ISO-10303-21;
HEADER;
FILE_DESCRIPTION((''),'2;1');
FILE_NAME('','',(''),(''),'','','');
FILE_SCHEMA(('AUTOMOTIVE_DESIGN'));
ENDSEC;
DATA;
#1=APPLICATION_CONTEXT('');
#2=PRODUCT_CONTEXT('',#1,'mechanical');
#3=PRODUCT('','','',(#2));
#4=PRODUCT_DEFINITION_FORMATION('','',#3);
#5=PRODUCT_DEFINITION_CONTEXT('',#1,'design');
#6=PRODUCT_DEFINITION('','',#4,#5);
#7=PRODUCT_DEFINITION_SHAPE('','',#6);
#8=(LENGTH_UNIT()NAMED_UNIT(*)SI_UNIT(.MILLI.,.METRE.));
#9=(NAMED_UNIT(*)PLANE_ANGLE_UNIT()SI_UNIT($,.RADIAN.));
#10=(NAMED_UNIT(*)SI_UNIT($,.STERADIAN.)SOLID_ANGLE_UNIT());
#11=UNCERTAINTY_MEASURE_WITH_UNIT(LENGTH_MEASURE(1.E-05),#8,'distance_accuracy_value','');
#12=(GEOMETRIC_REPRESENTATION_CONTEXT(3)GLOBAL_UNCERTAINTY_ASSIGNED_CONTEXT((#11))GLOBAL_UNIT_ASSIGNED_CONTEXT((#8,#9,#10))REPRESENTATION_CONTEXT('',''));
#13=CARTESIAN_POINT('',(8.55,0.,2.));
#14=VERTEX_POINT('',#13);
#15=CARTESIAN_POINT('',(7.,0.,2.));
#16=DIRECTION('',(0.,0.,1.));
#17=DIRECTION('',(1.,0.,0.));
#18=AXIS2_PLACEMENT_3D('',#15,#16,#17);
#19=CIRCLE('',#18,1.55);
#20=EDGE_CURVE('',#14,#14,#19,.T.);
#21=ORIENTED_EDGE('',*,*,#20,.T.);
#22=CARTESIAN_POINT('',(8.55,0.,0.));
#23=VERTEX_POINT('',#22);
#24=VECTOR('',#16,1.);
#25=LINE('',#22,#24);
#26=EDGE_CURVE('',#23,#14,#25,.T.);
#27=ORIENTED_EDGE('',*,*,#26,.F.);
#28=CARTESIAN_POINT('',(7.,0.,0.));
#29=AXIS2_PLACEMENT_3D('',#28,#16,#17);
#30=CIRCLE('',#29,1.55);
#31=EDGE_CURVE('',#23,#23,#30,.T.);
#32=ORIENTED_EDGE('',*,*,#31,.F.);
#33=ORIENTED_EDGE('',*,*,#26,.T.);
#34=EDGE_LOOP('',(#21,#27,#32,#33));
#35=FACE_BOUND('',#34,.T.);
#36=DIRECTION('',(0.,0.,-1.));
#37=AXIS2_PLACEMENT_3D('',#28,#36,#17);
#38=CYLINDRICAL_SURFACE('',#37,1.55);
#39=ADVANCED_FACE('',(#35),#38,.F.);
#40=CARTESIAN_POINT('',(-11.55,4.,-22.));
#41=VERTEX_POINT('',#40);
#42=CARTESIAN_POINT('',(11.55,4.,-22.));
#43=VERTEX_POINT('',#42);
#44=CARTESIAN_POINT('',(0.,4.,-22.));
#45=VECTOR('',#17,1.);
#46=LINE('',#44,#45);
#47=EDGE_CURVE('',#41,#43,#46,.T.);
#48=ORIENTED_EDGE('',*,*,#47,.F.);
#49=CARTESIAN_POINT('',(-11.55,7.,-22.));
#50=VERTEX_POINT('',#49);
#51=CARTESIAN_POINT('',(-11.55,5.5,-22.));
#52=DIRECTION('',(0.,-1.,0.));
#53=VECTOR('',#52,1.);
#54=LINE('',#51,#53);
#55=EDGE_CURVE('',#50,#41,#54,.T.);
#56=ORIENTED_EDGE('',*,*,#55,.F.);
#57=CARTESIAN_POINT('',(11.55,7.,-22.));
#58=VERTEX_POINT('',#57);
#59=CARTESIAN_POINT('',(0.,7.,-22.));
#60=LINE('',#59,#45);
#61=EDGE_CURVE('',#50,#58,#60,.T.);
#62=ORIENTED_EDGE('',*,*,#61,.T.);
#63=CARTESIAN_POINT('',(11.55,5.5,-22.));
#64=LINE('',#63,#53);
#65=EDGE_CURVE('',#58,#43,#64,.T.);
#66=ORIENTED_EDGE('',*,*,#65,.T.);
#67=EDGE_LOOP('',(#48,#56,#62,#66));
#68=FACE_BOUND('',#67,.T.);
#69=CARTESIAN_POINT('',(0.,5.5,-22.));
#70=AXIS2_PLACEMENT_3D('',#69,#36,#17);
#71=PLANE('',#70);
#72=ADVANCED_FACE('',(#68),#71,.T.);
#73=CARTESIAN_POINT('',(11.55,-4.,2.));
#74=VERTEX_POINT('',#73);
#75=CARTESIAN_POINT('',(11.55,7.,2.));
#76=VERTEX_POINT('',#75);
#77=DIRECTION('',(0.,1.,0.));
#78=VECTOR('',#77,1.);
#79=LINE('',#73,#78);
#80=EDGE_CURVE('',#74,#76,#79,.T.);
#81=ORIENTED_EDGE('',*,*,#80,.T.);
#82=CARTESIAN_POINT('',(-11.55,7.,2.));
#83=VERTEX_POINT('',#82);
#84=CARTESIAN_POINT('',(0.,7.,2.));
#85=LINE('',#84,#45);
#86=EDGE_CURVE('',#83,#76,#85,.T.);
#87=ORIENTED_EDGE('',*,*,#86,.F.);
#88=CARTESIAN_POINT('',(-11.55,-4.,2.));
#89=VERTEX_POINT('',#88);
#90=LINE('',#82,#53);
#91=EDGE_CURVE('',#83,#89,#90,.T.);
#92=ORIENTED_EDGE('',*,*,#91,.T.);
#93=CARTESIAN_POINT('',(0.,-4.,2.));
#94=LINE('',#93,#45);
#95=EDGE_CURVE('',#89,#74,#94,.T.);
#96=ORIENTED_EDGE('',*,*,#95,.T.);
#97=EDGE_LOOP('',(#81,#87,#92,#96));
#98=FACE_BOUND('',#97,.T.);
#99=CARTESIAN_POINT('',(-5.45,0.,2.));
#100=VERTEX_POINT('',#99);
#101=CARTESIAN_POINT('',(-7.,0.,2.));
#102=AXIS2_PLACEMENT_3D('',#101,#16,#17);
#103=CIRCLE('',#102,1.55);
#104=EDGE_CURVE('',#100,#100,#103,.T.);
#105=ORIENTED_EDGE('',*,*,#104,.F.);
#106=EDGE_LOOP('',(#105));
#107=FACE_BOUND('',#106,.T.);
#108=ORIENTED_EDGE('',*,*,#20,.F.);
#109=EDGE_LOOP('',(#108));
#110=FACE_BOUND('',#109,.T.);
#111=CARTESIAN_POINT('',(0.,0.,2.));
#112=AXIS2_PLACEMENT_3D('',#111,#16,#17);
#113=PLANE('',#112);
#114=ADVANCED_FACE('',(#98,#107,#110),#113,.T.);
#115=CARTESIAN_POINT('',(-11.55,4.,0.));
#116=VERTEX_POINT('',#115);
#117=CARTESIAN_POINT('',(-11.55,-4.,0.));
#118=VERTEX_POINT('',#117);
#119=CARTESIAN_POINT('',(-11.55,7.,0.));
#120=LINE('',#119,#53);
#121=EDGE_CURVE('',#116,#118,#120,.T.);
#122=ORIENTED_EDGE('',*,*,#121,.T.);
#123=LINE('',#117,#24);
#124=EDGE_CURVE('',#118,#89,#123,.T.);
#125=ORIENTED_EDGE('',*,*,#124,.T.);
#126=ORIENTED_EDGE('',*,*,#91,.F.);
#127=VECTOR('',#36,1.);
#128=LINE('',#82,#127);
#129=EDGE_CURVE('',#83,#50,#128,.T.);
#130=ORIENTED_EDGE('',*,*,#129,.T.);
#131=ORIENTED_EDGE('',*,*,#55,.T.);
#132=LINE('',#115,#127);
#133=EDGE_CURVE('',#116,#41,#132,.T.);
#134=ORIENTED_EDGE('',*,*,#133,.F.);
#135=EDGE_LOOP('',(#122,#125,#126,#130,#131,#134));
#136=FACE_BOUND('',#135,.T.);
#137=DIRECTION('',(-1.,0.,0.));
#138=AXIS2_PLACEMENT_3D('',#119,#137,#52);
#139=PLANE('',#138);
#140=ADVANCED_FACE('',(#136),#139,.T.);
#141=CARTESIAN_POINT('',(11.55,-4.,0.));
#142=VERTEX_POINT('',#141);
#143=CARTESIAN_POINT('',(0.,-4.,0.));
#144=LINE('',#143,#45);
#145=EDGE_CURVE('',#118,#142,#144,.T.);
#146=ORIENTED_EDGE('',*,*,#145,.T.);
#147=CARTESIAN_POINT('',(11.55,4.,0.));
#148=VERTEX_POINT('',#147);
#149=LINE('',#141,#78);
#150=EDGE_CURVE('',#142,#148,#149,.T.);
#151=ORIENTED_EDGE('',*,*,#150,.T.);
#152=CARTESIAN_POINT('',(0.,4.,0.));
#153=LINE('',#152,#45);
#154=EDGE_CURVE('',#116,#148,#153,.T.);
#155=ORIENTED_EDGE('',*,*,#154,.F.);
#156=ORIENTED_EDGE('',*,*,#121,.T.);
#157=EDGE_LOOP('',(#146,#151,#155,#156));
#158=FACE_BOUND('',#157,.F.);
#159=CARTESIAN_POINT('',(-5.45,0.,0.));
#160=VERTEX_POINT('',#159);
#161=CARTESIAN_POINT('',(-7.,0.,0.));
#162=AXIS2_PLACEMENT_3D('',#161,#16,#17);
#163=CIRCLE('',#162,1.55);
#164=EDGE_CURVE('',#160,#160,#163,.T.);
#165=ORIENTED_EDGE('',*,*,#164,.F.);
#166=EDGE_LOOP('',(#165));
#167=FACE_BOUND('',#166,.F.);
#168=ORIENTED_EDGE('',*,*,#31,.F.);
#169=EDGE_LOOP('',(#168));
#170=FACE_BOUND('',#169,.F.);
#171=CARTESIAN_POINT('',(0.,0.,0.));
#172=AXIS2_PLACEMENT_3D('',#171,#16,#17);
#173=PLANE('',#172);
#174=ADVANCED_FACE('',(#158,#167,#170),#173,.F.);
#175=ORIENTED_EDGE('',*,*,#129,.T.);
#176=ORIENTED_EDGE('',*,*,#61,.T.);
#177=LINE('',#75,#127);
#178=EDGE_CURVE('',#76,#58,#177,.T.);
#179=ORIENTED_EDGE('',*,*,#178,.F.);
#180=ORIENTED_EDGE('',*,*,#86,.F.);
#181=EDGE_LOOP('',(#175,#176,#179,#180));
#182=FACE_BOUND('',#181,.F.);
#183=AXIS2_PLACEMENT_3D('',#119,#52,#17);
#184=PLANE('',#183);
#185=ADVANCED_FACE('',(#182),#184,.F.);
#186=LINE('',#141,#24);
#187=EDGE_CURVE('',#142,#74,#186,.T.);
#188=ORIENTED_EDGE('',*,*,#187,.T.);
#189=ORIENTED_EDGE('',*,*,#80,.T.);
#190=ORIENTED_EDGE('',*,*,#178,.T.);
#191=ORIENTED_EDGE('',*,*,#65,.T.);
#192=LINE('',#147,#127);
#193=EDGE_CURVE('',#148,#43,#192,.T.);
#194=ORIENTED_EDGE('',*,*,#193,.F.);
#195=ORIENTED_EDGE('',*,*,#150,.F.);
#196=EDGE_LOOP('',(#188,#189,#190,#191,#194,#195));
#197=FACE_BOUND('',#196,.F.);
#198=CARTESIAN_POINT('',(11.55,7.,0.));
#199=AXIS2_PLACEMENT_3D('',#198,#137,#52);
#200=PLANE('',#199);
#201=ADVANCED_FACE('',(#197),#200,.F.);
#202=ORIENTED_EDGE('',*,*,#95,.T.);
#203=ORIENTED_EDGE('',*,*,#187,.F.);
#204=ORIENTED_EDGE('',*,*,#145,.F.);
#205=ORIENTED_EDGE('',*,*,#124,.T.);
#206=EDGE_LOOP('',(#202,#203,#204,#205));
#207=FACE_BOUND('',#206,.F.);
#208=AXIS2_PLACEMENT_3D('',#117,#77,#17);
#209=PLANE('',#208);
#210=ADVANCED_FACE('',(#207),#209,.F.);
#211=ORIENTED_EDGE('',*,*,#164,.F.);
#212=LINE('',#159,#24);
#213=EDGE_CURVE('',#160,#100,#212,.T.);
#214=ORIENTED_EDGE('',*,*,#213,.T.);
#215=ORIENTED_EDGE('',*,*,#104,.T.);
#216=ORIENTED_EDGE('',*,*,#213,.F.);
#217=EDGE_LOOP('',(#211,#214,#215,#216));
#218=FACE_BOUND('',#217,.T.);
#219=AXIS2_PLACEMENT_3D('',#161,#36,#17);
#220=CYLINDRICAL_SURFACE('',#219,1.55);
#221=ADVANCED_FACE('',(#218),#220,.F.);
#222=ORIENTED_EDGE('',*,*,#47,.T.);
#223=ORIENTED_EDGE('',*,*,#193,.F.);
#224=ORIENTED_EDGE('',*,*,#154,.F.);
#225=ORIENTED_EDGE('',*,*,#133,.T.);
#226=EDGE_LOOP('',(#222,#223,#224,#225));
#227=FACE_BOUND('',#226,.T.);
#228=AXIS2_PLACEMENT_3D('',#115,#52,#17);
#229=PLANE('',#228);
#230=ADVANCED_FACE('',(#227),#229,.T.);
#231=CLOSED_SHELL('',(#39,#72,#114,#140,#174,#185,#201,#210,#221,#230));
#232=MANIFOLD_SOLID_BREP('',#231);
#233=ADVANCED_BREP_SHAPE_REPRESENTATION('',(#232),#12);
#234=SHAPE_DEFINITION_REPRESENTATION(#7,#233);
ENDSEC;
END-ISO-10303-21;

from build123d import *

# Parameters (mm, degrees)
F0_W     = 23.1
F0_H     = 8
F0_R     = 1.55
F0_H_2   = 3
F1_DEPTH = 2
F2_W     = 23.1
F2_H     = 3
F3_DEPTH = 22


with BuildPart() as f1:
    # F0 (on Top) → F1 (new body)
    with BuildSketch(Plane.XY):
        Rectangle(F0_W, F0_H)
        with Locations((-7, 0)):
            Circle(F0_R, mode=Mode.SUBTRACT)
        with Locations((7, 0)):
            Circle(F0_R, mode=Mode.SUBTRACT)
        with Locations((0, 5.5)):
            Rectangle(F0_W, F0_H_2)
    extrude(amount=F1_DEPTH)

    # F2 (on face) → F3 (join)
    with BuildSketch(Plane(origin=(0, 0, 0), x_dir=(1, 0, 0), z_dir=(0, 0, -1))):
        with Locations((0, -5.5)):
            Rectangle(F2_W, F2_H)
    extrude(amount=F3_DEPTH)


solid = f1.part
